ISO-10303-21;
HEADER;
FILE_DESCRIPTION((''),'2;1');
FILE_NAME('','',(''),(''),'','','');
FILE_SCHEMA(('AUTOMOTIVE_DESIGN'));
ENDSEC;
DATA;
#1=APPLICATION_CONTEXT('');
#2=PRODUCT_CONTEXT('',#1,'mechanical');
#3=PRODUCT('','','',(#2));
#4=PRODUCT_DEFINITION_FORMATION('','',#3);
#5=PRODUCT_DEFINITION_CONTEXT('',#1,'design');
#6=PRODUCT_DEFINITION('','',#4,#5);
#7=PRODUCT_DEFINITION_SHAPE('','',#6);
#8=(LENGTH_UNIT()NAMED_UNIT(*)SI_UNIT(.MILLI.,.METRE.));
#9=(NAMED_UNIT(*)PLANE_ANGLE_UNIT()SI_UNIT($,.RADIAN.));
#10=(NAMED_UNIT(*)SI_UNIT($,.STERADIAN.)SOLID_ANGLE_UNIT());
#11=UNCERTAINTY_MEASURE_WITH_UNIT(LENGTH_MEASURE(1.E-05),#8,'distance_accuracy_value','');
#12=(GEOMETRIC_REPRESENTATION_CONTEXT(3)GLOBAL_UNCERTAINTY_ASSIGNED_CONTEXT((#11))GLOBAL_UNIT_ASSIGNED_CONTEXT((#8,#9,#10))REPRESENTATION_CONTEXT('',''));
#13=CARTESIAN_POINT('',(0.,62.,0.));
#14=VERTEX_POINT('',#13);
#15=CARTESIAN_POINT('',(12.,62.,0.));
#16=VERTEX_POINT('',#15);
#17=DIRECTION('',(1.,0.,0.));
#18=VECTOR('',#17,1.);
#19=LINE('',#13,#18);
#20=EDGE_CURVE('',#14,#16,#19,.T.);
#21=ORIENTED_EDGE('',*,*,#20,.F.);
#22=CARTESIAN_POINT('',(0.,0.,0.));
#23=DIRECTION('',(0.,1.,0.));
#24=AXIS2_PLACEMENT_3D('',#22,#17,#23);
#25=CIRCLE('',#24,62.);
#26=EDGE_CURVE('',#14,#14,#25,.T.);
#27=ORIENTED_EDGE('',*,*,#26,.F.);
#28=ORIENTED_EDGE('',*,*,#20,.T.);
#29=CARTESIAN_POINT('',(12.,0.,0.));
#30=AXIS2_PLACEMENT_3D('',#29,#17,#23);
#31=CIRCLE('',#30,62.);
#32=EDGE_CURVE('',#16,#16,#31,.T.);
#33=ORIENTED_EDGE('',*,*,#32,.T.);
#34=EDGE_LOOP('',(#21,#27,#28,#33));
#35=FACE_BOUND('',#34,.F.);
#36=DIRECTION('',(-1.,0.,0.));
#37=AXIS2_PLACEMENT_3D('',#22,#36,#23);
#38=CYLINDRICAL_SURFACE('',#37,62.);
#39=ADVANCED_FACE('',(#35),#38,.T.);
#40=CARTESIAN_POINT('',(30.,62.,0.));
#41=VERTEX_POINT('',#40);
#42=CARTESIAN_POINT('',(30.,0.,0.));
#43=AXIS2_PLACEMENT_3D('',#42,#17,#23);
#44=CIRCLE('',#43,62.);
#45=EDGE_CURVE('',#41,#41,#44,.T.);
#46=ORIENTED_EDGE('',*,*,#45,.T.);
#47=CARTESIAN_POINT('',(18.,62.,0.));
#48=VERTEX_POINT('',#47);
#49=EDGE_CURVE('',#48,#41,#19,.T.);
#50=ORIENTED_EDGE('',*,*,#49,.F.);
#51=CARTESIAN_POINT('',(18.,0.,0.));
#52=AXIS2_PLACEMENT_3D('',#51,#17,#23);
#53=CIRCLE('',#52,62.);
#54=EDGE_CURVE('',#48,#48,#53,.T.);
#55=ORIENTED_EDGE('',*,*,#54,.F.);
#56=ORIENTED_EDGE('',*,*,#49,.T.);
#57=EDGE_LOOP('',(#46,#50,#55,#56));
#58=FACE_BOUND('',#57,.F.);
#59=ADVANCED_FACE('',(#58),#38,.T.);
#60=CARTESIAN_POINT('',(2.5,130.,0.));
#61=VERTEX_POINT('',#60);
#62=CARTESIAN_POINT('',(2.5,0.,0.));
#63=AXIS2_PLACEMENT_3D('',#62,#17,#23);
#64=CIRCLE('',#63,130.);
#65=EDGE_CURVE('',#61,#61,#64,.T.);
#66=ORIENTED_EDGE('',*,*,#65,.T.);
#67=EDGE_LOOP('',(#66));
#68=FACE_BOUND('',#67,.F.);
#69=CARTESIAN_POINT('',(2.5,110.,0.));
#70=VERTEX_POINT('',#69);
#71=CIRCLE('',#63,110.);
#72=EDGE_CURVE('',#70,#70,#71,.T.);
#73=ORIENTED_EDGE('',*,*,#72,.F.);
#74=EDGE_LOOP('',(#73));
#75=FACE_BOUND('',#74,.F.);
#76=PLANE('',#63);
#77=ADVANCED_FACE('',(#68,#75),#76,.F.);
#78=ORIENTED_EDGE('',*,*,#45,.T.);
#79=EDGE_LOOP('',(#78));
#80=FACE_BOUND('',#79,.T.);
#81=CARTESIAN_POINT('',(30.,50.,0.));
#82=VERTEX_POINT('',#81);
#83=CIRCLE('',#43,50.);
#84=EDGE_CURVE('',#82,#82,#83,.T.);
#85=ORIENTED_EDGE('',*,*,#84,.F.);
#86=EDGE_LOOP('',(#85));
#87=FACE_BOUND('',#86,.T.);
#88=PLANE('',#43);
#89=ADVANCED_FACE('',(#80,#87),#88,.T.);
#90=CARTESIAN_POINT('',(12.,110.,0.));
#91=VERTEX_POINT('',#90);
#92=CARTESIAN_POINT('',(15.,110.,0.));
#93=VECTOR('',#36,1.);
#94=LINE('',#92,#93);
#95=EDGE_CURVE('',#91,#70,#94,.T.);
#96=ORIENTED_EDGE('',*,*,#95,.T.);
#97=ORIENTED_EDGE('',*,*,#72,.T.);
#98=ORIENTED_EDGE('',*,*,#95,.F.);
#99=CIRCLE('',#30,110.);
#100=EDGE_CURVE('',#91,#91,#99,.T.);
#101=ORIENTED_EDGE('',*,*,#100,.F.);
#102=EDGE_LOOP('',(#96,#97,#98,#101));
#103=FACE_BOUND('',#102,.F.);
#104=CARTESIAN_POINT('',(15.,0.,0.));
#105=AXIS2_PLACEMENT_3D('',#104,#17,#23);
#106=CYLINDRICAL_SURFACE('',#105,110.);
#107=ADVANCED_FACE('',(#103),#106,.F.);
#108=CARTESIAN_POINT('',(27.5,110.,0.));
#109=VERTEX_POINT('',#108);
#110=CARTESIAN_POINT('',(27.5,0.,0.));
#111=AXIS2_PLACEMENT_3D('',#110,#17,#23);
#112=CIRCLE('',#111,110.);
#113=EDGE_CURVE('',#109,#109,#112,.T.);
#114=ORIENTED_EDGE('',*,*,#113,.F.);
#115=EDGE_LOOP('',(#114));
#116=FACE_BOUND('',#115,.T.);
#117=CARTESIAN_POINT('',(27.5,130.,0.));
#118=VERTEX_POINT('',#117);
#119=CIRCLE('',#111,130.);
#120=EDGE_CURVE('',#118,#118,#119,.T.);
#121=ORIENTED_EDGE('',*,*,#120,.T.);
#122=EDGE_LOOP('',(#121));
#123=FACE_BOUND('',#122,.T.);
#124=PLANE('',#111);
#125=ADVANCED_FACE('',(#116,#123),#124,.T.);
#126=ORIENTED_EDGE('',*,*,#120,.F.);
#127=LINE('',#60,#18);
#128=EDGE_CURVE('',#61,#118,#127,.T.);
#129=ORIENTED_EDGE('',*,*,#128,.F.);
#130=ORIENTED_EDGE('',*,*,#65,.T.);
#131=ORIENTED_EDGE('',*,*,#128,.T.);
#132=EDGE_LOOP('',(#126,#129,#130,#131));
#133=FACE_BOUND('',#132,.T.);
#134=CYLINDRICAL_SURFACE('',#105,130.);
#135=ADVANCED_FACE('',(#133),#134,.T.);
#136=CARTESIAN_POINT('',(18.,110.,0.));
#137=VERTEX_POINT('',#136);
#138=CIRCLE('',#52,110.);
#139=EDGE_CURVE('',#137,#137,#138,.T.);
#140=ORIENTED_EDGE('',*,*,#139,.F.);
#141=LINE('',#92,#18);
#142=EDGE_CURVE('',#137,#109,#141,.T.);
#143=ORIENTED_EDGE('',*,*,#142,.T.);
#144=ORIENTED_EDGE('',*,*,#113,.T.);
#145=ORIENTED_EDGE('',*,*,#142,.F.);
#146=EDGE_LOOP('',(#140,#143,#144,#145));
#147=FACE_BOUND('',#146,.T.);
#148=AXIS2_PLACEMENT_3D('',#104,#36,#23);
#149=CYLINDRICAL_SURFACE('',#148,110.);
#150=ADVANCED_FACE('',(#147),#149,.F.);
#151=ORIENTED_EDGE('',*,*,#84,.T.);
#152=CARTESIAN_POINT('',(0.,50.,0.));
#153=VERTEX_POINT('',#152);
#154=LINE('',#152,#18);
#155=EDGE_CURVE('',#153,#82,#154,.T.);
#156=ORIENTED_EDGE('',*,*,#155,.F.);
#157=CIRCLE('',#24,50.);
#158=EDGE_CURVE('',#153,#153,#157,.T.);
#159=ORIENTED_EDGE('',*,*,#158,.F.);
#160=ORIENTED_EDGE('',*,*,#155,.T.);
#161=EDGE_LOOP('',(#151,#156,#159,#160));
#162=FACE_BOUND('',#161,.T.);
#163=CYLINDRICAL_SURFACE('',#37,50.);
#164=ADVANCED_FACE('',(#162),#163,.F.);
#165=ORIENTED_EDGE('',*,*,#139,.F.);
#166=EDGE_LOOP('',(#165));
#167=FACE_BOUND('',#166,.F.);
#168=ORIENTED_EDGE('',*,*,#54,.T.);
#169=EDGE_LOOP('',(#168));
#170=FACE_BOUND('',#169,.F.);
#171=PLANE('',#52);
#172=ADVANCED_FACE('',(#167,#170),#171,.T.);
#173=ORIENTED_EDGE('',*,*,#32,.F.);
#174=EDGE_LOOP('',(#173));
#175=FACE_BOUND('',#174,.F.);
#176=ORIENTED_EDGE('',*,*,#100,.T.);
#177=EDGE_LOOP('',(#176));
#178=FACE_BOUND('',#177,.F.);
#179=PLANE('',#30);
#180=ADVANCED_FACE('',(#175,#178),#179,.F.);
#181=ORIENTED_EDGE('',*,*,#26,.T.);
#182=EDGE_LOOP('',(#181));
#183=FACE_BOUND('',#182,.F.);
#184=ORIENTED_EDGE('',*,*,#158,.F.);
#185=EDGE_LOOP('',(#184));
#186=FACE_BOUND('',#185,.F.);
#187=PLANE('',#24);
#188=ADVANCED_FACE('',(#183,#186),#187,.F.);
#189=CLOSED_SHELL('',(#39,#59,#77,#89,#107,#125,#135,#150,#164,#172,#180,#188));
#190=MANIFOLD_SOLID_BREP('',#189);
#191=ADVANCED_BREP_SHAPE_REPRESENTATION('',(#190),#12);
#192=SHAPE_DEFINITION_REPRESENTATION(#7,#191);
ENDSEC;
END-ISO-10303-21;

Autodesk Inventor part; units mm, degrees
ref_plane "XZ Plane" through (0, 0, 0) normal (0, 1, 0) x (-1, 0, 0)
sketch "Sketch1" plane through (0, 0, 0) normal (1, 0, 0) x (0, 1, 0)
  circle A0 centre (0, 0) radius 50
  circle A1 centre (0, 0) radius 62
  dimension "d0" = 100
  dimension "d1" = 124
extrude "Extrusion1" add sketch "Sketch1" along normal blind 30
ref_plane "Work Plane1" through (0, 0, 0) normal (0, 0, 1) x (1, 0, 0)
sketch "Sketch2" plane through (0, 0, 0) normal (0, 0, 1) x (1, 0, 0)
  line L0 (0, 62) -> (30, 62) projected
  line L1 (18, 62) -> (18, 110)
  line L2 (18, 110) -> (12, 110)
  line L3 (12, 110) -> (12, 62)
  line L4 (0, -62) -> (0, 62) projected
  line L5 (-6, 0) -> (36, 0) projected
  point P0 (0, 0)
  dimension "d5" = 6
  dimension "d6" = 12
  dimension "d7" = 48
revolve "Revolution1" add sketch "Sketch2" angle 360 about axis through (-10, 0, 0) along (1, 0, 0)
ref_plane "Work Plane2" through (15, 0, 0) normal (1, 0, 0) x (0, 1, 0)
sketch "Sketch3" plane through (15, 0, 0) normal (1, 0, 0) x (0, 1, 0)
  circle A0 centre (0, 0) radius 130
  circle A1 centre (0, 0) radius 110
  dimension "d10" = 260
  dimension "d11" = 220
extrude "Extrusion2" add sketch "Sketch3" along normal mid plane 25
properties part number "DiscoPaleStadio4-10"
